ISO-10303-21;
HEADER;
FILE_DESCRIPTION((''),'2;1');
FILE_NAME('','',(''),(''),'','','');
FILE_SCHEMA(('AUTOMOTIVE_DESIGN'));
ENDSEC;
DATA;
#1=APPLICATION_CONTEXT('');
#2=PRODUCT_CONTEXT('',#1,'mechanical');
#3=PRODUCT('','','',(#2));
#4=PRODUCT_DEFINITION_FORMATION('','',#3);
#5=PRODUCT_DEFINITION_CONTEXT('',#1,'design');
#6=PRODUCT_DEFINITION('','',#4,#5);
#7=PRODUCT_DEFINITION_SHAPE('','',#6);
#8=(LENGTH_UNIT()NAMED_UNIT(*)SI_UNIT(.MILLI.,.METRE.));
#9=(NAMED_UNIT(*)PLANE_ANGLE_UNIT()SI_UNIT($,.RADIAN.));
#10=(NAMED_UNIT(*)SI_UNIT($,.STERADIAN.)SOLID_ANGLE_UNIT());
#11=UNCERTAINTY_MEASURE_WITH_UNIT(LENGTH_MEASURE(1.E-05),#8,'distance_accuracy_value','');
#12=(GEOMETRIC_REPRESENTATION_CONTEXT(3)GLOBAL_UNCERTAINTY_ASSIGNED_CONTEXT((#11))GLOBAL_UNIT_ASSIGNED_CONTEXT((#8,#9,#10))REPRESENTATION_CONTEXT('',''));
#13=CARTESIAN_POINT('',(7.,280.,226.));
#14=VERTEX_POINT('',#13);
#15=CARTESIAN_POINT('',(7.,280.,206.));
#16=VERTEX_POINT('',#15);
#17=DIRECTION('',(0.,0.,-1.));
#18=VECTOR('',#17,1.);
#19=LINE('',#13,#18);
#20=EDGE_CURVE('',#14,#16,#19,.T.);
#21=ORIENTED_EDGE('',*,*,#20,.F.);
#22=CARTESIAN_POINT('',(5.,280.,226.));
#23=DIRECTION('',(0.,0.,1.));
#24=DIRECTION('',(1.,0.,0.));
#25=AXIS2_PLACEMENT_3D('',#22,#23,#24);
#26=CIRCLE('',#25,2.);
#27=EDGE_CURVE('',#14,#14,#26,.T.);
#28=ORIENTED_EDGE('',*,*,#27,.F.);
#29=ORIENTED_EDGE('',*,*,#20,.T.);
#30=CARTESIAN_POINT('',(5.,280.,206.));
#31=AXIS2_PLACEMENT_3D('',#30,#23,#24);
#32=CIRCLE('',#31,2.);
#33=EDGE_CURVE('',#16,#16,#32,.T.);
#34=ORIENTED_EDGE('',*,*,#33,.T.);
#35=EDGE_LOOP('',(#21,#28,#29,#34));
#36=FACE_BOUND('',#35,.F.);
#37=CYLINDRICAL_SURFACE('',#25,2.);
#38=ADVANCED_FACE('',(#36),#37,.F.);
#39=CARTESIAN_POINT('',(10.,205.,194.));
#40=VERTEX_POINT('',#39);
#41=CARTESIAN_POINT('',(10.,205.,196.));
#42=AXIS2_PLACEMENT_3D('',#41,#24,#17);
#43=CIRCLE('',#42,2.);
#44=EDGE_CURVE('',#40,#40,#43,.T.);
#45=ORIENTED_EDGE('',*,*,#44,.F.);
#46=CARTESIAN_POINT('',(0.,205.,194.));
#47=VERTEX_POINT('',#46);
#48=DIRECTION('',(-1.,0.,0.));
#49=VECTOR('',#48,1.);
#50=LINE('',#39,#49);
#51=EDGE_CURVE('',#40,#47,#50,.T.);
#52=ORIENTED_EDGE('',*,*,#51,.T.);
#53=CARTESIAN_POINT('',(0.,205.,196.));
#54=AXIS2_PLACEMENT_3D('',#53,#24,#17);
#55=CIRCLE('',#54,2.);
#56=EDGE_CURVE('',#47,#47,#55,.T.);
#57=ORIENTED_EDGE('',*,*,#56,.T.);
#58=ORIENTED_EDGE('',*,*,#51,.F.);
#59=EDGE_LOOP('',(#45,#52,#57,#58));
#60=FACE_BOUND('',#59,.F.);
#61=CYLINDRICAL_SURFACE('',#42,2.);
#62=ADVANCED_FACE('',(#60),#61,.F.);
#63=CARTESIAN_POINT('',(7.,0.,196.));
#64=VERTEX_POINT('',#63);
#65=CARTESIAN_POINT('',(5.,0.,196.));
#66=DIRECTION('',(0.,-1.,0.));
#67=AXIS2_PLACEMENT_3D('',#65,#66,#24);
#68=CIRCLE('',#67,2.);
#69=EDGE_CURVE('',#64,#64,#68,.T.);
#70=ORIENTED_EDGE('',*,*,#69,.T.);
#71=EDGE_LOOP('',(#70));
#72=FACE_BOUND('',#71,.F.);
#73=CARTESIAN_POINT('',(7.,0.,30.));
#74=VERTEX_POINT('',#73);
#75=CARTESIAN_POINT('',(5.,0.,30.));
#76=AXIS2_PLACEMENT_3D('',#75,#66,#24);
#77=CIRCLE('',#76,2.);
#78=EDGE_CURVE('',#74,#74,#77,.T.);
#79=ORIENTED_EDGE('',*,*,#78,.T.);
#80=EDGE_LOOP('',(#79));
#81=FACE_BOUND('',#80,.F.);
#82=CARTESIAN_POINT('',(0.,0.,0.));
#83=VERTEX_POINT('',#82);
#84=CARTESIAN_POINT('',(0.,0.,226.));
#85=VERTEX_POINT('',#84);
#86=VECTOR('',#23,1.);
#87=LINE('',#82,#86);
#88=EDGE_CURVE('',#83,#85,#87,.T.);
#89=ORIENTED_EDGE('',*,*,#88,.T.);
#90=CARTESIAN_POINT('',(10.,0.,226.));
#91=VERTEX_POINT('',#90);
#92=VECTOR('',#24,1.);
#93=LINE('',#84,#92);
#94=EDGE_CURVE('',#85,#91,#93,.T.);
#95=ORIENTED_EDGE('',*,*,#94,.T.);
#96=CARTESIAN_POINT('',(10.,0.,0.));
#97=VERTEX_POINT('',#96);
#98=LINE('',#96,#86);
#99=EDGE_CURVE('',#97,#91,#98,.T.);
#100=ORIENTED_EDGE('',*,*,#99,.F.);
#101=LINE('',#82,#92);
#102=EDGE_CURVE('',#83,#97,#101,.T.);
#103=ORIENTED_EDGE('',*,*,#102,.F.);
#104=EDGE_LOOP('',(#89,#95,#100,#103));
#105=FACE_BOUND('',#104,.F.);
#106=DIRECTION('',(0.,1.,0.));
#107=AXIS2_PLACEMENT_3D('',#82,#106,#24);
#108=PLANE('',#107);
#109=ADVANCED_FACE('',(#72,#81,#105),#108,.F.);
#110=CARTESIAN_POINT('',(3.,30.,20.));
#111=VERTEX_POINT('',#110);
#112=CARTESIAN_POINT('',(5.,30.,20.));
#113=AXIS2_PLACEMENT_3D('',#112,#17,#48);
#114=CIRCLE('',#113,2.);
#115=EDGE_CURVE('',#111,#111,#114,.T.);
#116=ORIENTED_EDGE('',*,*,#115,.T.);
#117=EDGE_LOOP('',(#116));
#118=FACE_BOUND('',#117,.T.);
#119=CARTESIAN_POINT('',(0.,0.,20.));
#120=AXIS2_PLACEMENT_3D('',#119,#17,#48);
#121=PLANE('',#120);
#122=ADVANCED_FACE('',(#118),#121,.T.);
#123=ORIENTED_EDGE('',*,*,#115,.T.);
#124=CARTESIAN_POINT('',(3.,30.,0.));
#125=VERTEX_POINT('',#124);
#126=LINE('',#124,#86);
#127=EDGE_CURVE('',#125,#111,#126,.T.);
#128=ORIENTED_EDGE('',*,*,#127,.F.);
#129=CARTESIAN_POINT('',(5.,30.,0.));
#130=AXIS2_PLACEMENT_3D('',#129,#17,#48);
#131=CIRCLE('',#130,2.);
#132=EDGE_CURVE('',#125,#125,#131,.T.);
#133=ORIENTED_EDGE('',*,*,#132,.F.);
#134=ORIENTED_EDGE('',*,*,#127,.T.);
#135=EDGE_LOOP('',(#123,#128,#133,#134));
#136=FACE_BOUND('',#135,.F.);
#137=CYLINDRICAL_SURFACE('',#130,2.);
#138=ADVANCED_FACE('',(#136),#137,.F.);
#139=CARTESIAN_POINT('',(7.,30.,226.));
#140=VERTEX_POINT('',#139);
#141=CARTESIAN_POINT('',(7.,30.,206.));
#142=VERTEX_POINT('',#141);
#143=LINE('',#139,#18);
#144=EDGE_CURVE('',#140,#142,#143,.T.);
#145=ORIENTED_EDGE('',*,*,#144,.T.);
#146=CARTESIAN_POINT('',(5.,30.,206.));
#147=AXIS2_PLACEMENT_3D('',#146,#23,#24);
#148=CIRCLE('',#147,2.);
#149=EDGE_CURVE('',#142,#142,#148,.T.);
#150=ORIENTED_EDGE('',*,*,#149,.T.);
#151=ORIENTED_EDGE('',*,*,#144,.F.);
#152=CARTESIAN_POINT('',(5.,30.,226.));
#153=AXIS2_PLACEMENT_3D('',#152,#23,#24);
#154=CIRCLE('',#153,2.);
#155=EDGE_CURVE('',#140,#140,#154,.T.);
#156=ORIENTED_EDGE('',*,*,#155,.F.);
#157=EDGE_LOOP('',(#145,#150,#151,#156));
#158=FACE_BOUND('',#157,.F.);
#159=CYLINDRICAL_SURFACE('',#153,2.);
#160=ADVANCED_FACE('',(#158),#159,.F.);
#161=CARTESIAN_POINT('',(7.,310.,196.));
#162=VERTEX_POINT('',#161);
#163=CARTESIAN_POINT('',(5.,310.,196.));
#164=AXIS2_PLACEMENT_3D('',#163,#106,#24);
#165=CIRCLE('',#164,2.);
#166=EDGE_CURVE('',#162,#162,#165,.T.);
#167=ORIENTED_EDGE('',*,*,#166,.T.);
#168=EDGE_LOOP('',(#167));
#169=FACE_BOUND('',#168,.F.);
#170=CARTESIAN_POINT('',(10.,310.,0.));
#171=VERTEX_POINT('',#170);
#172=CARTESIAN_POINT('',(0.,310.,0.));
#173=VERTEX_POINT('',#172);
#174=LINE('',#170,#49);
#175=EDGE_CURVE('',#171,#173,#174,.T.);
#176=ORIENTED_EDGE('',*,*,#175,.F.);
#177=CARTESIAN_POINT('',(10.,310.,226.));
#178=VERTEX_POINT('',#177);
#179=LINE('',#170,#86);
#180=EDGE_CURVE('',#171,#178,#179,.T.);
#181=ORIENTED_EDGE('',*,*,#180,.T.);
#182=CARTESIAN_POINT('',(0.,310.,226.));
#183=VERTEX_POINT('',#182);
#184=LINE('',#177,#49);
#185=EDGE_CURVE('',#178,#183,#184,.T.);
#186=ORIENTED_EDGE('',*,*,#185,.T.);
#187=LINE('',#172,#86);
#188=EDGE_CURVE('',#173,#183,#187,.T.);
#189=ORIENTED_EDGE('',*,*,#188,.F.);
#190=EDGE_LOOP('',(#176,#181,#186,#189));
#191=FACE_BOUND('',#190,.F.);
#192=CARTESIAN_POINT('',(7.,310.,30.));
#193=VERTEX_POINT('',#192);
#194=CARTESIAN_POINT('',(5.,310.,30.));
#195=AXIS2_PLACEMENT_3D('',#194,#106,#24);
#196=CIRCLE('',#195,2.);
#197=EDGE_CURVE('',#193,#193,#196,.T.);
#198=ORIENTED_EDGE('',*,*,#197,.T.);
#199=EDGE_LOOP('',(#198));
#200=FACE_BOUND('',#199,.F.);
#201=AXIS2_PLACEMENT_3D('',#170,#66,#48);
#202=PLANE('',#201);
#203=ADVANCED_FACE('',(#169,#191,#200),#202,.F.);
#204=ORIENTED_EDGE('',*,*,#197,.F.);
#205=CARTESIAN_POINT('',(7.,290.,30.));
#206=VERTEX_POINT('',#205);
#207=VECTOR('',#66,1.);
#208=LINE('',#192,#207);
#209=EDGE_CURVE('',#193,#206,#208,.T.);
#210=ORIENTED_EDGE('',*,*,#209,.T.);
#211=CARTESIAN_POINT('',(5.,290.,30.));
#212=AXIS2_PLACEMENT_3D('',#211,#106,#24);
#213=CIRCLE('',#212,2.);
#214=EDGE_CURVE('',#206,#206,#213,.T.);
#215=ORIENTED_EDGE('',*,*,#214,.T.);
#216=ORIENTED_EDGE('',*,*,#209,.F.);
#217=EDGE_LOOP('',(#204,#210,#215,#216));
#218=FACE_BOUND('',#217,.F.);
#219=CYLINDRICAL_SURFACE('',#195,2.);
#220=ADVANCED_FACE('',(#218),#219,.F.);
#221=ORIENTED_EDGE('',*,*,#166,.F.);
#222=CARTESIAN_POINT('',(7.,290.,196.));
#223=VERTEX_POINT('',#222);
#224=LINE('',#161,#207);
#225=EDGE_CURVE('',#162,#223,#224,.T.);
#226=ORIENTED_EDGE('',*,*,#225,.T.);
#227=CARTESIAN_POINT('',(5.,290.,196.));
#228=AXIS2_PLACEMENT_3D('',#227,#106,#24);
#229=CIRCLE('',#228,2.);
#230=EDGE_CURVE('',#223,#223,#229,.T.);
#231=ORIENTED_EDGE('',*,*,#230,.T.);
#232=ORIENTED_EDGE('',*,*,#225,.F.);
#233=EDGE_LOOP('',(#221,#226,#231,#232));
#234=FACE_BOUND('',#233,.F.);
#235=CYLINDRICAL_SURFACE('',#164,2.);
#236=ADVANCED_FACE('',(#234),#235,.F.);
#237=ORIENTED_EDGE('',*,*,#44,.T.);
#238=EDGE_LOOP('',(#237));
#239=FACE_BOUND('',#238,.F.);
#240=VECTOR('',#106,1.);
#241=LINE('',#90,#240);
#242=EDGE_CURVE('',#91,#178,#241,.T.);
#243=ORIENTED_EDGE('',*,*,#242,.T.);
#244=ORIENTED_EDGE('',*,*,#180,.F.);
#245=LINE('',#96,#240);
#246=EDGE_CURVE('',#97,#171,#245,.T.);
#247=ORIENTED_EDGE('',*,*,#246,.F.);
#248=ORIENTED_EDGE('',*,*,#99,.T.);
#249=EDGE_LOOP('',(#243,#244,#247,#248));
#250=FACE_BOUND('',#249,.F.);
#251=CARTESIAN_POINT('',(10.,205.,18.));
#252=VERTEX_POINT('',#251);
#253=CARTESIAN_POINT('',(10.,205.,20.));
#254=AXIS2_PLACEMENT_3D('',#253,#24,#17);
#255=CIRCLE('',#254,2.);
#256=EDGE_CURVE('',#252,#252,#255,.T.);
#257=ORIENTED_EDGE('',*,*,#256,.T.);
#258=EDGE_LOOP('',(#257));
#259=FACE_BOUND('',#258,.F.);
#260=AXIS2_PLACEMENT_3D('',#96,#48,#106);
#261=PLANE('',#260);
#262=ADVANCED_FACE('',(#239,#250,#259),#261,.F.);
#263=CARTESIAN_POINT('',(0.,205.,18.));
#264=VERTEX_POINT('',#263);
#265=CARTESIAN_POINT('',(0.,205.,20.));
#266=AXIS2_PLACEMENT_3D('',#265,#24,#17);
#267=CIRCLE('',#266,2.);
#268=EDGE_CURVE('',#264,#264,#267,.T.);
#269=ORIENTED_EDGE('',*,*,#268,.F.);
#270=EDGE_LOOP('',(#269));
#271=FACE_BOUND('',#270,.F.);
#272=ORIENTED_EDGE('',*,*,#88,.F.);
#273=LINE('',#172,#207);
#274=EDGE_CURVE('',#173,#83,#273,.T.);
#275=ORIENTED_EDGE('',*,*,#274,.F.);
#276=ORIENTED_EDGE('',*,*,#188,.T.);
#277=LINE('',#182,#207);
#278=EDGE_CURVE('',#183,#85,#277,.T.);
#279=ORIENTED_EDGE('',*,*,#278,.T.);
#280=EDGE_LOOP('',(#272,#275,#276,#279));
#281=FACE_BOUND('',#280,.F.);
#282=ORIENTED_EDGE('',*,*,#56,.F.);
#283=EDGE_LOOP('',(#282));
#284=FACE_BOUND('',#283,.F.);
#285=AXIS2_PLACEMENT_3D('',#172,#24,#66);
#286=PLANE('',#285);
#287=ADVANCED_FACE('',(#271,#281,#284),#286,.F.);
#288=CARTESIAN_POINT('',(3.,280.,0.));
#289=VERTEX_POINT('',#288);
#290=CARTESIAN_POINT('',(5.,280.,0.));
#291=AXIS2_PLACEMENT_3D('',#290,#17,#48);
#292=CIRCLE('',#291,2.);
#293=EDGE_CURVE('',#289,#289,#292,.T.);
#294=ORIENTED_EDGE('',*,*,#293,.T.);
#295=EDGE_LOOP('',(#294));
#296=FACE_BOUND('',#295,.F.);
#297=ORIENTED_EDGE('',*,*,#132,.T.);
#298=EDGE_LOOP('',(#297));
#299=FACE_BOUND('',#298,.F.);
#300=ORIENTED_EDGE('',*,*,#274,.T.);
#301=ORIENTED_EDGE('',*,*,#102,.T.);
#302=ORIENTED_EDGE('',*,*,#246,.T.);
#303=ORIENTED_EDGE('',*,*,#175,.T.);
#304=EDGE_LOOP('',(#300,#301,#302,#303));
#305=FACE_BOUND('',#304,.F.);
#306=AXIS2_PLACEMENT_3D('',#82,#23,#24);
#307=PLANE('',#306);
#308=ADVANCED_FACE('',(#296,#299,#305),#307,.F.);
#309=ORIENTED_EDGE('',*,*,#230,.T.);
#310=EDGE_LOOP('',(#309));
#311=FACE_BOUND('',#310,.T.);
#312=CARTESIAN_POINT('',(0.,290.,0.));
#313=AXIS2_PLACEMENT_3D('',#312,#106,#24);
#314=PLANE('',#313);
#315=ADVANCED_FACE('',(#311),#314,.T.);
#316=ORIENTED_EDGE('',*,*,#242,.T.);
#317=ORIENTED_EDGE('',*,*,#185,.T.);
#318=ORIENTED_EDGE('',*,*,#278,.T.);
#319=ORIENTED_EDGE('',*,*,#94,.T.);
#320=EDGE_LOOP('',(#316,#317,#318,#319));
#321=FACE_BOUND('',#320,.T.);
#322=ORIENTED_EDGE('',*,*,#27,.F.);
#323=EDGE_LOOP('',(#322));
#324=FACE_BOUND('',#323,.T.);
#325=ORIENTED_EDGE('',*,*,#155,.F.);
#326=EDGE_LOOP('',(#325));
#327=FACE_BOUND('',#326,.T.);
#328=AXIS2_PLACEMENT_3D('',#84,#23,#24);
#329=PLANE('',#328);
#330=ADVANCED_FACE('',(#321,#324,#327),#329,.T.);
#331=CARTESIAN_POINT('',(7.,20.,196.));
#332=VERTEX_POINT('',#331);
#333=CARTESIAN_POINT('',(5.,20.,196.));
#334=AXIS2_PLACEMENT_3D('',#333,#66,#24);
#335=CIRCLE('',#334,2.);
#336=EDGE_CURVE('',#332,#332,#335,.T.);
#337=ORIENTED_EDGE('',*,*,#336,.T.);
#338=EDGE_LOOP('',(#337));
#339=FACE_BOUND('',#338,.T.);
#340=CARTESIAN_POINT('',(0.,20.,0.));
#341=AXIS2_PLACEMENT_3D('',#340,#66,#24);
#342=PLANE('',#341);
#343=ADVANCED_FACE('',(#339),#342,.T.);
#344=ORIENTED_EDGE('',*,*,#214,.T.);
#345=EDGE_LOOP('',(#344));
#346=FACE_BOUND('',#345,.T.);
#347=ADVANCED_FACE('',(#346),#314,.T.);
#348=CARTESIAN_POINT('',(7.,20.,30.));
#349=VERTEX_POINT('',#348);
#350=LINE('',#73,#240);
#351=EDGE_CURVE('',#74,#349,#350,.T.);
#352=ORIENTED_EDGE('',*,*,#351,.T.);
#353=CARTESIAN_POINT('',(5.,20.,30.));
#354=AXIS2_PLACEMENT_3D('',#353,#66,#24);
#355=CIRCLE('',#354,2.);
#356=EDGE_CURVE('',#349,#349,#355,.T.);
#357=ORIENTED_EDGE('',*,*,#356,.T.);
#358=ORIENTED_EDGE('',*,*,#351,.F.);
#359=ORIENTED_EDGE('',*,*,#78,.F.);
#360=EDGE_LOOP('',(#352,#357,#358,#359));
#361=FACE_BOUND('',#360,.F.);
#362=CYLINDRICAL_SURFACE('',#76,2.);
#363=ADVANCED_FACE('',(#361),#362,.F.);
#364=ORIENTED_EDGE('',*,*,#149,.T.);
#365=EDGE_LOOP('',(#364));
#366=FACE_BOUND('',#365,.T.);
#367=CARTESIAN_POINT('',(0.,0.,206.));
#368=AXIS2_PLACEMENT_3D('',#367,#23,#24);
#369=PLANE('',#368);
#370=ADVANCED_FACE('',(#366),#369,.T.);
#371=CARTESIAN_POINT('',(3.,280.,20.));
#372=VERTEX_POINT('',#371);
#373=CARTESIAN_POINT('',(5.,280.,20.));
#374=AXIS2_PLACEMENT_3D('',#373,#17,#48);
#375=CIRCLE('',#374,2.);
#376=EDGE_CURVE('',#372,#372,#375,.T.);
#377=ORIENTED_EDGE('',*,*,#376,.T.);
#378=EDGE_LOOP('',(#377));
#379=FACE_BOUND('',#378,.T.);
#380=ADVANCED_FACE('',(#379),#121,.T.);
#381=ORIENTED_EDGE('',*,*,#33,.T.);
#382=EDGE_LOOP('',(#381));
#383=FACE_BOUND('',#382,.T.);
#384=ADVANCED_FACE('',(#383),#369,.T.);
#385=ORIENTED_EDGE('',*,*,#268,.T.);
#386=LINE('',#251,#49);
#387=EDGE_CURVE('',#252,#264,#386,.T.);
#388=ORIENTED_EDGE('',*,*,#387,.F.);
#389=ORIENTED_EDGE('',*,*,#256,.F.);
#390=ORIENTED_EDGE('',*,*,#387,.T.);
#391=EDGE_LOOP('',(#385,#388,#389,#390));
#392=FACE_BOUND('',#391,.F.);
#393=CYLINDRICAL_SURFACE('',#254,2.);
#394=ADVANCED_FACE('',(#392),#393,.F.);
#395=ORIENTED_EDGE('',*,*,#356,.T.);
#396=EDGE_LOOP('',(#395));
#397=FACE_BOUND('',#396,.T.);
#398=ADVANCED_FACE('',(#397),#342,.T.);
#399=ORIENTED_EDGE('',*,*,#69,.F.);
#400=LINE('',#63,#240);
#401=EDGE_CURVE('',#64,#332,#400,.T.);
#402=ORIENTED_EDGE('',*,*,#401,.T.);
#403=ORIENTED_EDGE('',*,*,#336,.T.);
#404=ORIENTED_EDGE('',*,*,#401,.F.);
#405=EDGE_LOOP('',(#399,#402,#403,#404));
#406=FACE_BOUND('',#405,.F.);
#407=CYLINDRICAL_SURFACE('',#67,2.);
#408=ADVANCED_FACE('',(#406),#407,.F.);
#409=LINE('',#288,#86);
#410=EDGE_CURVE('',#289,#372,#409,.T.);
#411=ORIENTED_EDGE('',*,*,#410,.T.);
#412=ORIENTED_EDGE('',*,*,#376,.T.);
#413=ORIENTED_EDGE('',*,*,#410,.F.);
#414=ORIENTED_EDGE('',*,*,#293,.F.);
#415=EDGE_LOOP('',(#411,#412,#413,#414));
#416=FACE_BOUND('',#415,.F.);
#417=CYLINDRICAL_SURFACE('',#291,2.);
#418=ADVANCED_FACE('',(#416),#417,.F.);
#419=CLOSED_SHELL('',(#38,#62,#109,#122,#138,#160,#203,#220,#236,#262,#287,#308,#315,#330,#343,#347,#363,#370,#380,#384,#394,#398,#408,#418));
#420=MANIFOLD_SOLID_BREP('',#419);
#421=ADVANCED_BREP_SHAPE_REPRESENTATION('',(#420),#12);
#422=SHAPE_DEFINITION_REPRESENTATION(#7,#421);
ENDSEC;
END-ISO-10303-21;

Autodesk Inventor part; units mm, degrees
ref_plane "YZ Plane" through (0, 0, 0) normal (1, 0, 0) x (0, 1, 0)
ref_plane "XZ Plane" through (0, 0, 0) normal (0, 1, 0) x (-1, 0, 0)
ref_plane "XY Plane" through (0, 0, 0) normal (0, 0, 1) x (1, 0, 0)
sketch "Sketch1" plane through (0, 0, 0) normal (0, 0, 1) x (1, 0, 0)
  line L0 (0, 0) -> (10, 0)
  line L1 (10, 0) -> (10, 310)
  line L2 (10, 310) -> (0, 310)
  line L3 (0, 310) -> (0, 0)
  dimension "d0" = 10
  dimension "d1" = 310
extrude "Extrusion1" add sketch "Sketch1" along normal blind 226
sketch "Sketch2" plane through (0, 0, 226) normal (0, 0, 1) x (1, 0, 0)
  circle A0 centre (5, 30) radius 2
  line L0 (0, 0) -> (10, 0) projected
  line L1 (0, 310) -> (0, 0) projected
  circle A1 centre (5, 280) radius 2
  dimension "d4" = 4
  dimension "d5" = 30
  dimension "d6" = 5
  dimension "d9" = 250
extrude "Extrusion2" cut sketch "Sketch2" against normal blind 20
sketch "Sketch3" plane through (0, 0, 0) normal (0, 0, -1) x (-1, 0, 0)
  circle A0 centre (-5, 30) radius 2
  line L0 (0, 0) -> (-10, 0) projected
  line L1 (-10, 0) -> (-10, 310) projected
  circle A1 centre (-5, 280) radius 2
  dimension "d16" = 4
  dimension "d17" = 30
  dimension "d18" = 5
  dimension "d21" = 250
extrude "Extrusion3" cut sketch "Sketch3" against normal blind 20
sketch "Sketch4" plane through (0, 0, 0) normal (0, -1, 0) x (1, 0, 0)
  circle A0 centre (5, 30) radius 2
  line L0 (0, 0) -> (10, 0) projected
  line L1 (0, 0) -> (0, 226) projected
  circle A1 centre (5, 196) radius 2
  dimension "d28" = 4
  dimension "d29" = 30
  dimension "d30" = 5
  dimension "d33" = 166
extrude "Extrusion4" cut sketch "Sketch4" against normal blind 20
sketch "Sketch5" plane through (10, 0, 0) normal (1, 0, 0) x (0, 0, -1)
  circle A0 centre (-196, 205) radius 2
  line L0 (0, 0) -> (-226, 0) projected
  line L1 (-226, 0) -> (-226, 310) projected
  circle A1 centre (-20, 205) radius 2
  dimension "d40" = 4
  dimension "d41" = 205
  dimension "d42" = 30
  dimension "d45" = 176
extrude "Extrusion5" cut sketch "Sketch5" against normal through all
sketch "Sketch6" plane through (0, 310, 0) normal (0, 1, 0) x (1, 0, 0)
  circle A0 centre (5, -30) radius 2
  line L0 (10, 0) -> (10, -226) projected
  line L1 (10, 0) -> (0, 0) projected
  circle A1 centre (5, -196) radius 2
  dimension "d52" = 4
  dimension "d53" = 5
  dimension "d54" = 30
  dimension "d57" = 166
extrude "Extrusion6" cut sketch "Sketch6" against normal blind 20
equation "\"d40\" = screws"
equation "\"d52\" = screws"
equation "\"screws\" = 4"
properties part number "box_side"
